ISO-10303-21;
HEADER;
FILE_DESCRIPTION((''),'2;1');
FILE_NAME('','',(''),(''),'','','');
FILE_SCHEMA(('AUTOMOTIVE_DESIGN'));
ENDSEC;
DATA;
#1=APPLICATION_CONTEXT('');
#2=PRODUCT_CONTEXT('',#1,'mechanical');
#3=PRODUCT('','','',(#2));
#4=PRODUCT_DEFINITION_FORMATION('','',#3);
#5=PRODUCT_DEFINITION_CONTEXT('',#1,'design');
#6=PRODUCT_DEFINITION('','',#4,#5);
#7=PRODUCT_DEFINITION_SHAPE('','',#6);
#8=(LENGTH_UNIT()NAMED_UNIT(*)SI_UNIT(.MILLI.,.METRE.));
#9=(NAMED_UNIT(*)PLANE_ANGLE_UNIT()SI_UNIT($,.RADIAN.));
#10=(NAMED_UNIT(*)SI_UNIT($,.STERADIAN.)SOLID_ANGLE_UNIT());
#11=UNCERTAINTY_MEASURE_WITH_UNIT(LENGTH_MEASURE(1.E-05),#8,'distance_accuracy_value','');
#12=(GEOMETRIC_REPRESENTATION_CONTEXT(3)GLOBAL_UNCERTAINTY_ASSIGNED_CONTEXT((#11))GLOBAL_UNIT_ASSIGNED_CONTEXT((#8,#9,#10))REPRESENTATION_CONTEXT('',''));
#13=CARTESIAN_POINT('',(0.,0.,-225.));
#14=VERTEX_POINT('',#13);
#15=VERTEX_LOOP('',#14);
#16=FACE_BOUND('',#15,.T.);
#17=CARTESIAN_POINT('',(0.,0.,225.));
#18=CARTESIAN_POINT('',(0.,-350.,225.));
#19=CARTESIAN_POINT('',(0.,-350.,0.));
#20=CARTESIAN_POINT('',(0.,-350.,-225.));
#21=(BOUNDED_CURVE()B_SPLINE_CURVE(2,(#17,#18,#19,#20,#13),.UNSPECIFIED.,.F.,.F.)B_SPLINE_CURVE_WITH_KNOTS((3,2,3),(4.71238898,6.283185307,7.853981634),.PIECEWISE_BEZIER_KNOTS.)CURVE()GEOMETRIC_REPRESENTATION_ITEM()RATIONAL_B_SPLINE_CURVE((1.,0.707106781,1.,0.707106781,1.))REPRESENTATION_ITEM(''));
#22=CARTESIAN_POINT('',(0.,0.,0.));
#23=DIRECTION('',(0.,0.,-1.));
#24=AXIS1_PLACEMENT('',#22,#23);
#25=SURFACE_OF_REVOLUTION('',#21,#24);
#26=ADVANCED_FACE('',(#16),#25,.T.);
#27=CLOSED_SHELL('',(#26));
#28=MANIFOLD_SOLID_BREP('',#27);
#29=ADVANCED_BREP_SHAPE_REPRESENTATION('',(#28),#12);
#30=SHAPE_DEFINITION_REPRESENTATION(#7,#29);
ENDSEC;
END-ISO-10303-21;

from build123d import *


with BuildPart() as f1:
    # F0 (on Right) → F1 (revolve)
    with BuildSketch(Plane.YZ):
        with BuildLine():
            Line((0, -225), (0, 225))
            add(Edge.make_bspline(
                [(0, 225), (-350, 225), (-350, 0), (-350, -225), (0, -225)],
                knots=[4.7123889804, 4.7123889804, 4.7123889804, 6.2831853072, 6.2831853072, 7.853981634, 7.853981634, 7.853981634], degree=2, weights=[1, 0.7071067812, 1, 0.7071067812, 1]))
        make_face()
    revolve(axis=Axis((0, 0, 0), (0, 0, -1)))


solid = f1.part
